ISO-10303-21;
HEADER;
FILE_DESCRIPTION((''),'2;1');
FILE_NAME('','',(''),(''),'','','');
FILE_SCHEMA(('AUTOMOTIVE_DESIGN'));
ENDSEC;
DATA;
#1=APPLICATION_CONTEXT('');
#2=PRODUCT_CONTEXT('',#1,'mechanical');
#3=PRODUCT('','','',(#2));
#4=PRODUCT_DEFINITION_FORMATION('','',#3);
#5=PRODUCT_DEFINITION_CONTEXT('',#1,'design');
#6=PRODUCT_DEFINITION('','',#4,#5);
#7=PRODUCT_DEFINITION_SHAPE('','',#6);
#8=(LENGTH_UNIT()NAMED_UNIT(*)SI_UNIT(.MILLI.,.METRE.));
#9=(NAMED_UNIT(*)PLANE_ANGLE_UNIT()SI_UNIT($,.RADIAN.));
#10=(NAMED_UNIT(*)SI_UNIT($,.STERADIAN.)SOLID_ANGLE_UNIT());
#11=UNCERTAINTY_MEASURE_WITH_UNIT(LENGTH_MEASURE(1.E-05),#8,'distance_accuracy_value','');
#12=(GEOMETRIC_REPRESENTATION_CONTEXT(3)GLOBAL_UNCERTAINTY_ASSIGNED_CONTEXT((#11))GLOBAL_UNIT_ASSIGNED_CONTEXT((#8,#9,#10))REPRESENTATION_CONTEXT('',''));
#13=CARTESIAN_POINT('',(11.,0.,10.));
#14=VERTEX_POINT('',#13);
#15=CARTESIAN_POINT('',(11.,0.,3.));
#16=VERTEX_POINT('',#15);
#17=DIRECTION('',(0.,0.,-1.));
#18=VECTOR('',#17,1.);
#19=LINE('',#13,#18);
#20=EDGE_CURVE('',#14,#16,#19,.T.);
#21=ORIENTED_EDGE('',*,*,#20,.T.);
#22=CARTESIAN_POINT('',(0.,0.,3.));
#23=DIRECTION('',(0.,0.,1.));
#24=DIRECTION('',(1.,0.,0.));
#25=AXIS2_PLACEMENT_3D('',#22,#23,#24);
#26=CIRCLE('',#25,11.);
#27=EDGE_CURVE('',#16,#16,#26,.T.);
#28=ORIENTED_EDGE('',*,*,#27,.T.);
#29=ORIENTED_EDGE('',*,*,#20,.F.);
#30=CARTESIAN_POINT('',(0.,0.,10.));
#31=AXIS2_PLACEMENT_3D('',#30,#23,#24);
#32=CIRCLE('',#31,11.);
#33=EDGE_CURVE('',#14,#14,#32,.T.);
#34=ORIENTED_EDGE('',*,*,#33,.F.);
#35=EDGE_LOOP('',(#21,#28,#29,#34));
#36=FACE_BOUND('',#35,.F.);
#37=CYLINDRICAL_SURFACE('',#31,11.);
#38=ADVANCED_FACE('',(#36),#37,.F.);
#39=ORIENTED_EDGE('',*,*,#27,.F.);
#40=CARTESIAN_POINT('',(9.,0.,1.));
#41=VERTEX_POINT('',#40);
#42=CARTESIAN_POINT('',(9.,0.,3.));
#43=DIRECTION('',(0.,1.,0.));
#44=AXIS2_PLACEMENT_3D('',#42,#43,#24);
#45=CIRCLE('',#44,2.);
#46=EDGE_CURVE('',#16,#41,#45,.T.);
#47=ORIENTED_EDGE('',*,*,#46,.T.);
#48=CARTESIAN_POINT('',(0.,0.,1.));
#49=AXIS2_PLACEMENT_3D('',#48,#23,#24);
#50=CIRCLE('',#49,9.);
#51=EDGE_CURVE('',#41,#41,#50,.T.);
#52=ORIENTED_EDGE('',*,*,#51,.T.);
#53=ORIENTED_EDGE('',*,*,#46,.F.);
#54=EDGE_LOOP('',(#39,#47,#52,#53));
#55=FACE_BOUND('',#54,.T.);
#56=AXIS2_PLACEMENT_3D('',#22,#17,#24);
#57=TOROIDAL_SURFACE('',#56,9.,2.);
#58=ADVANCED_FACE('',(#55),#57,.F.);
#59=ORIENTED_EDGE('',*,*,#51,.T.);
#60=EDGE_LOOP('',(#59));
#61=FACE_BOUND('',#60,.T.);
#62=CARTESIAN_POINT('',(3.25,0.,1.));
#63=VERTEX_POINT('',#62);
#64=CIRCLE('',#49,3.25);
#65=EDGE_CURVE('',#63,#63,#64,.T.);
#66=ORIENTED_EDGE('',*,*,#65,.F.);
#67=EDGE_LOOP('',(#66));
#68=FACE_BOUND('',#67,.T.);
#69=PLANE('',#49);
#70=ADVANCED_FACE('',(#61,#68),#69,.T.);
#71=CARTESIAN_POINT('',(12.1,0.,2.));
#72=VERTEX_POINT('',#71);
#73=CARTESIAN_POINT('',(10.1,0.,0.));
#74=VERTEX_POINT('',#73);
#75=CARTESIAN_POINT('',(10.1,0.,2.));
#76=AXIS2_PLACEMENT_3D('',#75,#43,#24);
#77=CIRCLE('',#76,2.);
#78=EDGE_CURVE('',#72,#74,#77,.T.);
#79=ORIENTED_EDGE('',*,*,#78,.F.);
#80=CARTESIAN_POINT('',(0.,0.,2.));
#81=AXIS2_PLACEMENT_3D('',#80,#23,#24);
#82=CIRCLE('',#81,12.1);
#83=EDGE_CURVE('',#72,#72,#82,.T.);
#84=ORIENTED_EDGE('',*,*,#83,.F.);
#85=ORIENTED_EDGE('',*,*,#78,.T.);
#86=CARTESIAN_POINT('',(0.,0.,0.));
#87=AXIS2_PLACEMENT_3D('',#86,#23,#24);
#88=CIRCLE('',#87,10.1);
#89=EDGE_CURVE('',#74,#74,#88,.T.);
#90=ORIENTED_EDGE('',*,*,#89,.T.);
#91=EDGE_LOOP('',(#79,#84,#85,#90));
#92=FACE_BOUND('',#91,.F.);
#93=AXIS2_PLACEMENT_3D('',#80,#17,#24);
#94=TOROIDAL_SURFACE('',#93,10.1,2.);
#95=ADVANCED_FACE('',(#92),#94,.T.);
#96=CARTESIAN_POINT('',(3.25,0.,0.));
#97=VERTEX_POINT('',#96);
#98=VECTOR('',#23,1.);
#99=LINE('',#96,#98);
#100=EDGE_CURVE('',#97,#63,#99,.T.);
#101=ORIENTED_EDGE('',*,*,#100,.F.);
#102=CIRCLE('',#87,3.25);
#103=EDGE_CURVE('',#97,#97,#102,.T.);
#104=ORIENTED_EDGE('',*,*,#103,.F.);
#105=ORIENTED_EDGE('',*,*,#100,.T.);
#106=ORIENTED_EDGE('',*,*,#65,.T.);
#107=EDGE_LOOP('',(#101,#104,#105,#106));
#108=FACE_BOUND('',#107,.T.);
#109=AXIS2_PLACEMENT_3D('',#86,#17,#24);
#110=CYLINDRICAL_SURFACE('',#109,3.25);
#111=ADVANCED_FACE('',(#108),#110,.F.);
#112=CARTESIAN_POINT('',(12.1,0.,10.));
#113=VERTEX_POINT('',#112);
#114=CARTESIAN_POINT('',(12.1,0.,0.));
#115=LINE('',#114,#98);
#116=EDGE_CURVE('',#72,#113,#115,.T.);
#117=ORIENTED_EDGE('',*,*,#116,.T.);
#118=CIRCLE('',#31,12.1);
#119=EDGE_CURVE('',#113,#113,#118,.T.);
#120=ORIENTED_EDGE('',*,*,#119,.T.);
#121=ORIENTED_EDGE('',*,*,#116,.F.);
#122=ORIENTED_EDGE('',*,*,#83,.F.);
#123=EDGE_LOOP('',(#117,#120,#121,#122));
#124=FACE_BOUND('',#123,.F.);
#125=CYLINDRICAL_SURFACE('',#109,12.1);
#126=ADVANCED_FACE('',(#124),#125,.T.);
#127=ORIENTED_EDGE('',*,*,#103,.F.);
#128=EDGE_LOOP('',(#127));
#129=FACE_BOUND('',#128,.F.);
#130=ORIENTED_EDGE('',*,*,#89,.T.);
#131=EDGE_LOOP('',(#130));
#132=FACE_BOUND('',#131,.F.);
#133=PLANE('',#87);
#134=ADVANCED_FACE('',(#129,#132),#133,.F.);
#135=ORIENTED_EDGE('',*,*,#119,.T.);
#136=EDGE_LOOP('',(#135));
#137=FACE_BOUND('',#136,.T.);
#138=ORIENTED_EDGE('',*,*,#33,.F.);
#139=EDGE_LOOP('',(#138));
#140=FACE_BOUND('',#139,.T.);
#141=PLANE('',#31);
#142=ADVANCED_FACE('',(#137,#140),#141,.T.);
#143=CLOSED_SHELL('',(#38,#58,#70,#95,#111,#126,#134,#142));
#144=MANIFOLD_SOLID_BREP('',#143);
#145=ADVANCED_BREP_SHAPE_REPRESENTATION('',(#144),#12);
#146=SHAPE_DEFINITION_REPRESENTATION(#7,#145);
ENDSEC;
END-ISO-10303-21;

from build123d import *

# Parameters (mm, degrees)
F0_R     = 12.1
F0_R_2   = 3.25
F1_DEPTH = 10
F2_R     = 11
F2_R_2   = 3.25
F3_DEPTH = 9
F4_R     = 2
F5_R     = 2


with BuildPart() as f1:
    # F0 (on Top) → F1 (new body)
    with BuildSketch(Plane.XY):
        Circle(F0_R)
        Circle(F0_R_2, mode=Mode.SUBTRACT)
    extrude(amount=F1_DEPTH)

    # F2 (on face) → F3 (cut)
    with BuildSketch(Plane.XY.offset(10)):
        Circle(F2_R)
        Circle(F2_R_2, mode=Mode.SUBTRACT)
    extrude(amount=-F3_DEPTH, mode=Mode.SUBTRACT)

    # F4
    f4_edges = [f1.edges().sort_by_distance(p)[0] for p in [
        (-12.1, 0, 0),
    ]]
    fillet(f4_edges, radius=F4_R)

    # F5
    f5_edges = [f1.edges().sort_by_distance(p)[0] for p in [
        (-11, 0, 1),
    ]]
    fillet(f5_edges, radius=F5_R)


solid = f1.part
